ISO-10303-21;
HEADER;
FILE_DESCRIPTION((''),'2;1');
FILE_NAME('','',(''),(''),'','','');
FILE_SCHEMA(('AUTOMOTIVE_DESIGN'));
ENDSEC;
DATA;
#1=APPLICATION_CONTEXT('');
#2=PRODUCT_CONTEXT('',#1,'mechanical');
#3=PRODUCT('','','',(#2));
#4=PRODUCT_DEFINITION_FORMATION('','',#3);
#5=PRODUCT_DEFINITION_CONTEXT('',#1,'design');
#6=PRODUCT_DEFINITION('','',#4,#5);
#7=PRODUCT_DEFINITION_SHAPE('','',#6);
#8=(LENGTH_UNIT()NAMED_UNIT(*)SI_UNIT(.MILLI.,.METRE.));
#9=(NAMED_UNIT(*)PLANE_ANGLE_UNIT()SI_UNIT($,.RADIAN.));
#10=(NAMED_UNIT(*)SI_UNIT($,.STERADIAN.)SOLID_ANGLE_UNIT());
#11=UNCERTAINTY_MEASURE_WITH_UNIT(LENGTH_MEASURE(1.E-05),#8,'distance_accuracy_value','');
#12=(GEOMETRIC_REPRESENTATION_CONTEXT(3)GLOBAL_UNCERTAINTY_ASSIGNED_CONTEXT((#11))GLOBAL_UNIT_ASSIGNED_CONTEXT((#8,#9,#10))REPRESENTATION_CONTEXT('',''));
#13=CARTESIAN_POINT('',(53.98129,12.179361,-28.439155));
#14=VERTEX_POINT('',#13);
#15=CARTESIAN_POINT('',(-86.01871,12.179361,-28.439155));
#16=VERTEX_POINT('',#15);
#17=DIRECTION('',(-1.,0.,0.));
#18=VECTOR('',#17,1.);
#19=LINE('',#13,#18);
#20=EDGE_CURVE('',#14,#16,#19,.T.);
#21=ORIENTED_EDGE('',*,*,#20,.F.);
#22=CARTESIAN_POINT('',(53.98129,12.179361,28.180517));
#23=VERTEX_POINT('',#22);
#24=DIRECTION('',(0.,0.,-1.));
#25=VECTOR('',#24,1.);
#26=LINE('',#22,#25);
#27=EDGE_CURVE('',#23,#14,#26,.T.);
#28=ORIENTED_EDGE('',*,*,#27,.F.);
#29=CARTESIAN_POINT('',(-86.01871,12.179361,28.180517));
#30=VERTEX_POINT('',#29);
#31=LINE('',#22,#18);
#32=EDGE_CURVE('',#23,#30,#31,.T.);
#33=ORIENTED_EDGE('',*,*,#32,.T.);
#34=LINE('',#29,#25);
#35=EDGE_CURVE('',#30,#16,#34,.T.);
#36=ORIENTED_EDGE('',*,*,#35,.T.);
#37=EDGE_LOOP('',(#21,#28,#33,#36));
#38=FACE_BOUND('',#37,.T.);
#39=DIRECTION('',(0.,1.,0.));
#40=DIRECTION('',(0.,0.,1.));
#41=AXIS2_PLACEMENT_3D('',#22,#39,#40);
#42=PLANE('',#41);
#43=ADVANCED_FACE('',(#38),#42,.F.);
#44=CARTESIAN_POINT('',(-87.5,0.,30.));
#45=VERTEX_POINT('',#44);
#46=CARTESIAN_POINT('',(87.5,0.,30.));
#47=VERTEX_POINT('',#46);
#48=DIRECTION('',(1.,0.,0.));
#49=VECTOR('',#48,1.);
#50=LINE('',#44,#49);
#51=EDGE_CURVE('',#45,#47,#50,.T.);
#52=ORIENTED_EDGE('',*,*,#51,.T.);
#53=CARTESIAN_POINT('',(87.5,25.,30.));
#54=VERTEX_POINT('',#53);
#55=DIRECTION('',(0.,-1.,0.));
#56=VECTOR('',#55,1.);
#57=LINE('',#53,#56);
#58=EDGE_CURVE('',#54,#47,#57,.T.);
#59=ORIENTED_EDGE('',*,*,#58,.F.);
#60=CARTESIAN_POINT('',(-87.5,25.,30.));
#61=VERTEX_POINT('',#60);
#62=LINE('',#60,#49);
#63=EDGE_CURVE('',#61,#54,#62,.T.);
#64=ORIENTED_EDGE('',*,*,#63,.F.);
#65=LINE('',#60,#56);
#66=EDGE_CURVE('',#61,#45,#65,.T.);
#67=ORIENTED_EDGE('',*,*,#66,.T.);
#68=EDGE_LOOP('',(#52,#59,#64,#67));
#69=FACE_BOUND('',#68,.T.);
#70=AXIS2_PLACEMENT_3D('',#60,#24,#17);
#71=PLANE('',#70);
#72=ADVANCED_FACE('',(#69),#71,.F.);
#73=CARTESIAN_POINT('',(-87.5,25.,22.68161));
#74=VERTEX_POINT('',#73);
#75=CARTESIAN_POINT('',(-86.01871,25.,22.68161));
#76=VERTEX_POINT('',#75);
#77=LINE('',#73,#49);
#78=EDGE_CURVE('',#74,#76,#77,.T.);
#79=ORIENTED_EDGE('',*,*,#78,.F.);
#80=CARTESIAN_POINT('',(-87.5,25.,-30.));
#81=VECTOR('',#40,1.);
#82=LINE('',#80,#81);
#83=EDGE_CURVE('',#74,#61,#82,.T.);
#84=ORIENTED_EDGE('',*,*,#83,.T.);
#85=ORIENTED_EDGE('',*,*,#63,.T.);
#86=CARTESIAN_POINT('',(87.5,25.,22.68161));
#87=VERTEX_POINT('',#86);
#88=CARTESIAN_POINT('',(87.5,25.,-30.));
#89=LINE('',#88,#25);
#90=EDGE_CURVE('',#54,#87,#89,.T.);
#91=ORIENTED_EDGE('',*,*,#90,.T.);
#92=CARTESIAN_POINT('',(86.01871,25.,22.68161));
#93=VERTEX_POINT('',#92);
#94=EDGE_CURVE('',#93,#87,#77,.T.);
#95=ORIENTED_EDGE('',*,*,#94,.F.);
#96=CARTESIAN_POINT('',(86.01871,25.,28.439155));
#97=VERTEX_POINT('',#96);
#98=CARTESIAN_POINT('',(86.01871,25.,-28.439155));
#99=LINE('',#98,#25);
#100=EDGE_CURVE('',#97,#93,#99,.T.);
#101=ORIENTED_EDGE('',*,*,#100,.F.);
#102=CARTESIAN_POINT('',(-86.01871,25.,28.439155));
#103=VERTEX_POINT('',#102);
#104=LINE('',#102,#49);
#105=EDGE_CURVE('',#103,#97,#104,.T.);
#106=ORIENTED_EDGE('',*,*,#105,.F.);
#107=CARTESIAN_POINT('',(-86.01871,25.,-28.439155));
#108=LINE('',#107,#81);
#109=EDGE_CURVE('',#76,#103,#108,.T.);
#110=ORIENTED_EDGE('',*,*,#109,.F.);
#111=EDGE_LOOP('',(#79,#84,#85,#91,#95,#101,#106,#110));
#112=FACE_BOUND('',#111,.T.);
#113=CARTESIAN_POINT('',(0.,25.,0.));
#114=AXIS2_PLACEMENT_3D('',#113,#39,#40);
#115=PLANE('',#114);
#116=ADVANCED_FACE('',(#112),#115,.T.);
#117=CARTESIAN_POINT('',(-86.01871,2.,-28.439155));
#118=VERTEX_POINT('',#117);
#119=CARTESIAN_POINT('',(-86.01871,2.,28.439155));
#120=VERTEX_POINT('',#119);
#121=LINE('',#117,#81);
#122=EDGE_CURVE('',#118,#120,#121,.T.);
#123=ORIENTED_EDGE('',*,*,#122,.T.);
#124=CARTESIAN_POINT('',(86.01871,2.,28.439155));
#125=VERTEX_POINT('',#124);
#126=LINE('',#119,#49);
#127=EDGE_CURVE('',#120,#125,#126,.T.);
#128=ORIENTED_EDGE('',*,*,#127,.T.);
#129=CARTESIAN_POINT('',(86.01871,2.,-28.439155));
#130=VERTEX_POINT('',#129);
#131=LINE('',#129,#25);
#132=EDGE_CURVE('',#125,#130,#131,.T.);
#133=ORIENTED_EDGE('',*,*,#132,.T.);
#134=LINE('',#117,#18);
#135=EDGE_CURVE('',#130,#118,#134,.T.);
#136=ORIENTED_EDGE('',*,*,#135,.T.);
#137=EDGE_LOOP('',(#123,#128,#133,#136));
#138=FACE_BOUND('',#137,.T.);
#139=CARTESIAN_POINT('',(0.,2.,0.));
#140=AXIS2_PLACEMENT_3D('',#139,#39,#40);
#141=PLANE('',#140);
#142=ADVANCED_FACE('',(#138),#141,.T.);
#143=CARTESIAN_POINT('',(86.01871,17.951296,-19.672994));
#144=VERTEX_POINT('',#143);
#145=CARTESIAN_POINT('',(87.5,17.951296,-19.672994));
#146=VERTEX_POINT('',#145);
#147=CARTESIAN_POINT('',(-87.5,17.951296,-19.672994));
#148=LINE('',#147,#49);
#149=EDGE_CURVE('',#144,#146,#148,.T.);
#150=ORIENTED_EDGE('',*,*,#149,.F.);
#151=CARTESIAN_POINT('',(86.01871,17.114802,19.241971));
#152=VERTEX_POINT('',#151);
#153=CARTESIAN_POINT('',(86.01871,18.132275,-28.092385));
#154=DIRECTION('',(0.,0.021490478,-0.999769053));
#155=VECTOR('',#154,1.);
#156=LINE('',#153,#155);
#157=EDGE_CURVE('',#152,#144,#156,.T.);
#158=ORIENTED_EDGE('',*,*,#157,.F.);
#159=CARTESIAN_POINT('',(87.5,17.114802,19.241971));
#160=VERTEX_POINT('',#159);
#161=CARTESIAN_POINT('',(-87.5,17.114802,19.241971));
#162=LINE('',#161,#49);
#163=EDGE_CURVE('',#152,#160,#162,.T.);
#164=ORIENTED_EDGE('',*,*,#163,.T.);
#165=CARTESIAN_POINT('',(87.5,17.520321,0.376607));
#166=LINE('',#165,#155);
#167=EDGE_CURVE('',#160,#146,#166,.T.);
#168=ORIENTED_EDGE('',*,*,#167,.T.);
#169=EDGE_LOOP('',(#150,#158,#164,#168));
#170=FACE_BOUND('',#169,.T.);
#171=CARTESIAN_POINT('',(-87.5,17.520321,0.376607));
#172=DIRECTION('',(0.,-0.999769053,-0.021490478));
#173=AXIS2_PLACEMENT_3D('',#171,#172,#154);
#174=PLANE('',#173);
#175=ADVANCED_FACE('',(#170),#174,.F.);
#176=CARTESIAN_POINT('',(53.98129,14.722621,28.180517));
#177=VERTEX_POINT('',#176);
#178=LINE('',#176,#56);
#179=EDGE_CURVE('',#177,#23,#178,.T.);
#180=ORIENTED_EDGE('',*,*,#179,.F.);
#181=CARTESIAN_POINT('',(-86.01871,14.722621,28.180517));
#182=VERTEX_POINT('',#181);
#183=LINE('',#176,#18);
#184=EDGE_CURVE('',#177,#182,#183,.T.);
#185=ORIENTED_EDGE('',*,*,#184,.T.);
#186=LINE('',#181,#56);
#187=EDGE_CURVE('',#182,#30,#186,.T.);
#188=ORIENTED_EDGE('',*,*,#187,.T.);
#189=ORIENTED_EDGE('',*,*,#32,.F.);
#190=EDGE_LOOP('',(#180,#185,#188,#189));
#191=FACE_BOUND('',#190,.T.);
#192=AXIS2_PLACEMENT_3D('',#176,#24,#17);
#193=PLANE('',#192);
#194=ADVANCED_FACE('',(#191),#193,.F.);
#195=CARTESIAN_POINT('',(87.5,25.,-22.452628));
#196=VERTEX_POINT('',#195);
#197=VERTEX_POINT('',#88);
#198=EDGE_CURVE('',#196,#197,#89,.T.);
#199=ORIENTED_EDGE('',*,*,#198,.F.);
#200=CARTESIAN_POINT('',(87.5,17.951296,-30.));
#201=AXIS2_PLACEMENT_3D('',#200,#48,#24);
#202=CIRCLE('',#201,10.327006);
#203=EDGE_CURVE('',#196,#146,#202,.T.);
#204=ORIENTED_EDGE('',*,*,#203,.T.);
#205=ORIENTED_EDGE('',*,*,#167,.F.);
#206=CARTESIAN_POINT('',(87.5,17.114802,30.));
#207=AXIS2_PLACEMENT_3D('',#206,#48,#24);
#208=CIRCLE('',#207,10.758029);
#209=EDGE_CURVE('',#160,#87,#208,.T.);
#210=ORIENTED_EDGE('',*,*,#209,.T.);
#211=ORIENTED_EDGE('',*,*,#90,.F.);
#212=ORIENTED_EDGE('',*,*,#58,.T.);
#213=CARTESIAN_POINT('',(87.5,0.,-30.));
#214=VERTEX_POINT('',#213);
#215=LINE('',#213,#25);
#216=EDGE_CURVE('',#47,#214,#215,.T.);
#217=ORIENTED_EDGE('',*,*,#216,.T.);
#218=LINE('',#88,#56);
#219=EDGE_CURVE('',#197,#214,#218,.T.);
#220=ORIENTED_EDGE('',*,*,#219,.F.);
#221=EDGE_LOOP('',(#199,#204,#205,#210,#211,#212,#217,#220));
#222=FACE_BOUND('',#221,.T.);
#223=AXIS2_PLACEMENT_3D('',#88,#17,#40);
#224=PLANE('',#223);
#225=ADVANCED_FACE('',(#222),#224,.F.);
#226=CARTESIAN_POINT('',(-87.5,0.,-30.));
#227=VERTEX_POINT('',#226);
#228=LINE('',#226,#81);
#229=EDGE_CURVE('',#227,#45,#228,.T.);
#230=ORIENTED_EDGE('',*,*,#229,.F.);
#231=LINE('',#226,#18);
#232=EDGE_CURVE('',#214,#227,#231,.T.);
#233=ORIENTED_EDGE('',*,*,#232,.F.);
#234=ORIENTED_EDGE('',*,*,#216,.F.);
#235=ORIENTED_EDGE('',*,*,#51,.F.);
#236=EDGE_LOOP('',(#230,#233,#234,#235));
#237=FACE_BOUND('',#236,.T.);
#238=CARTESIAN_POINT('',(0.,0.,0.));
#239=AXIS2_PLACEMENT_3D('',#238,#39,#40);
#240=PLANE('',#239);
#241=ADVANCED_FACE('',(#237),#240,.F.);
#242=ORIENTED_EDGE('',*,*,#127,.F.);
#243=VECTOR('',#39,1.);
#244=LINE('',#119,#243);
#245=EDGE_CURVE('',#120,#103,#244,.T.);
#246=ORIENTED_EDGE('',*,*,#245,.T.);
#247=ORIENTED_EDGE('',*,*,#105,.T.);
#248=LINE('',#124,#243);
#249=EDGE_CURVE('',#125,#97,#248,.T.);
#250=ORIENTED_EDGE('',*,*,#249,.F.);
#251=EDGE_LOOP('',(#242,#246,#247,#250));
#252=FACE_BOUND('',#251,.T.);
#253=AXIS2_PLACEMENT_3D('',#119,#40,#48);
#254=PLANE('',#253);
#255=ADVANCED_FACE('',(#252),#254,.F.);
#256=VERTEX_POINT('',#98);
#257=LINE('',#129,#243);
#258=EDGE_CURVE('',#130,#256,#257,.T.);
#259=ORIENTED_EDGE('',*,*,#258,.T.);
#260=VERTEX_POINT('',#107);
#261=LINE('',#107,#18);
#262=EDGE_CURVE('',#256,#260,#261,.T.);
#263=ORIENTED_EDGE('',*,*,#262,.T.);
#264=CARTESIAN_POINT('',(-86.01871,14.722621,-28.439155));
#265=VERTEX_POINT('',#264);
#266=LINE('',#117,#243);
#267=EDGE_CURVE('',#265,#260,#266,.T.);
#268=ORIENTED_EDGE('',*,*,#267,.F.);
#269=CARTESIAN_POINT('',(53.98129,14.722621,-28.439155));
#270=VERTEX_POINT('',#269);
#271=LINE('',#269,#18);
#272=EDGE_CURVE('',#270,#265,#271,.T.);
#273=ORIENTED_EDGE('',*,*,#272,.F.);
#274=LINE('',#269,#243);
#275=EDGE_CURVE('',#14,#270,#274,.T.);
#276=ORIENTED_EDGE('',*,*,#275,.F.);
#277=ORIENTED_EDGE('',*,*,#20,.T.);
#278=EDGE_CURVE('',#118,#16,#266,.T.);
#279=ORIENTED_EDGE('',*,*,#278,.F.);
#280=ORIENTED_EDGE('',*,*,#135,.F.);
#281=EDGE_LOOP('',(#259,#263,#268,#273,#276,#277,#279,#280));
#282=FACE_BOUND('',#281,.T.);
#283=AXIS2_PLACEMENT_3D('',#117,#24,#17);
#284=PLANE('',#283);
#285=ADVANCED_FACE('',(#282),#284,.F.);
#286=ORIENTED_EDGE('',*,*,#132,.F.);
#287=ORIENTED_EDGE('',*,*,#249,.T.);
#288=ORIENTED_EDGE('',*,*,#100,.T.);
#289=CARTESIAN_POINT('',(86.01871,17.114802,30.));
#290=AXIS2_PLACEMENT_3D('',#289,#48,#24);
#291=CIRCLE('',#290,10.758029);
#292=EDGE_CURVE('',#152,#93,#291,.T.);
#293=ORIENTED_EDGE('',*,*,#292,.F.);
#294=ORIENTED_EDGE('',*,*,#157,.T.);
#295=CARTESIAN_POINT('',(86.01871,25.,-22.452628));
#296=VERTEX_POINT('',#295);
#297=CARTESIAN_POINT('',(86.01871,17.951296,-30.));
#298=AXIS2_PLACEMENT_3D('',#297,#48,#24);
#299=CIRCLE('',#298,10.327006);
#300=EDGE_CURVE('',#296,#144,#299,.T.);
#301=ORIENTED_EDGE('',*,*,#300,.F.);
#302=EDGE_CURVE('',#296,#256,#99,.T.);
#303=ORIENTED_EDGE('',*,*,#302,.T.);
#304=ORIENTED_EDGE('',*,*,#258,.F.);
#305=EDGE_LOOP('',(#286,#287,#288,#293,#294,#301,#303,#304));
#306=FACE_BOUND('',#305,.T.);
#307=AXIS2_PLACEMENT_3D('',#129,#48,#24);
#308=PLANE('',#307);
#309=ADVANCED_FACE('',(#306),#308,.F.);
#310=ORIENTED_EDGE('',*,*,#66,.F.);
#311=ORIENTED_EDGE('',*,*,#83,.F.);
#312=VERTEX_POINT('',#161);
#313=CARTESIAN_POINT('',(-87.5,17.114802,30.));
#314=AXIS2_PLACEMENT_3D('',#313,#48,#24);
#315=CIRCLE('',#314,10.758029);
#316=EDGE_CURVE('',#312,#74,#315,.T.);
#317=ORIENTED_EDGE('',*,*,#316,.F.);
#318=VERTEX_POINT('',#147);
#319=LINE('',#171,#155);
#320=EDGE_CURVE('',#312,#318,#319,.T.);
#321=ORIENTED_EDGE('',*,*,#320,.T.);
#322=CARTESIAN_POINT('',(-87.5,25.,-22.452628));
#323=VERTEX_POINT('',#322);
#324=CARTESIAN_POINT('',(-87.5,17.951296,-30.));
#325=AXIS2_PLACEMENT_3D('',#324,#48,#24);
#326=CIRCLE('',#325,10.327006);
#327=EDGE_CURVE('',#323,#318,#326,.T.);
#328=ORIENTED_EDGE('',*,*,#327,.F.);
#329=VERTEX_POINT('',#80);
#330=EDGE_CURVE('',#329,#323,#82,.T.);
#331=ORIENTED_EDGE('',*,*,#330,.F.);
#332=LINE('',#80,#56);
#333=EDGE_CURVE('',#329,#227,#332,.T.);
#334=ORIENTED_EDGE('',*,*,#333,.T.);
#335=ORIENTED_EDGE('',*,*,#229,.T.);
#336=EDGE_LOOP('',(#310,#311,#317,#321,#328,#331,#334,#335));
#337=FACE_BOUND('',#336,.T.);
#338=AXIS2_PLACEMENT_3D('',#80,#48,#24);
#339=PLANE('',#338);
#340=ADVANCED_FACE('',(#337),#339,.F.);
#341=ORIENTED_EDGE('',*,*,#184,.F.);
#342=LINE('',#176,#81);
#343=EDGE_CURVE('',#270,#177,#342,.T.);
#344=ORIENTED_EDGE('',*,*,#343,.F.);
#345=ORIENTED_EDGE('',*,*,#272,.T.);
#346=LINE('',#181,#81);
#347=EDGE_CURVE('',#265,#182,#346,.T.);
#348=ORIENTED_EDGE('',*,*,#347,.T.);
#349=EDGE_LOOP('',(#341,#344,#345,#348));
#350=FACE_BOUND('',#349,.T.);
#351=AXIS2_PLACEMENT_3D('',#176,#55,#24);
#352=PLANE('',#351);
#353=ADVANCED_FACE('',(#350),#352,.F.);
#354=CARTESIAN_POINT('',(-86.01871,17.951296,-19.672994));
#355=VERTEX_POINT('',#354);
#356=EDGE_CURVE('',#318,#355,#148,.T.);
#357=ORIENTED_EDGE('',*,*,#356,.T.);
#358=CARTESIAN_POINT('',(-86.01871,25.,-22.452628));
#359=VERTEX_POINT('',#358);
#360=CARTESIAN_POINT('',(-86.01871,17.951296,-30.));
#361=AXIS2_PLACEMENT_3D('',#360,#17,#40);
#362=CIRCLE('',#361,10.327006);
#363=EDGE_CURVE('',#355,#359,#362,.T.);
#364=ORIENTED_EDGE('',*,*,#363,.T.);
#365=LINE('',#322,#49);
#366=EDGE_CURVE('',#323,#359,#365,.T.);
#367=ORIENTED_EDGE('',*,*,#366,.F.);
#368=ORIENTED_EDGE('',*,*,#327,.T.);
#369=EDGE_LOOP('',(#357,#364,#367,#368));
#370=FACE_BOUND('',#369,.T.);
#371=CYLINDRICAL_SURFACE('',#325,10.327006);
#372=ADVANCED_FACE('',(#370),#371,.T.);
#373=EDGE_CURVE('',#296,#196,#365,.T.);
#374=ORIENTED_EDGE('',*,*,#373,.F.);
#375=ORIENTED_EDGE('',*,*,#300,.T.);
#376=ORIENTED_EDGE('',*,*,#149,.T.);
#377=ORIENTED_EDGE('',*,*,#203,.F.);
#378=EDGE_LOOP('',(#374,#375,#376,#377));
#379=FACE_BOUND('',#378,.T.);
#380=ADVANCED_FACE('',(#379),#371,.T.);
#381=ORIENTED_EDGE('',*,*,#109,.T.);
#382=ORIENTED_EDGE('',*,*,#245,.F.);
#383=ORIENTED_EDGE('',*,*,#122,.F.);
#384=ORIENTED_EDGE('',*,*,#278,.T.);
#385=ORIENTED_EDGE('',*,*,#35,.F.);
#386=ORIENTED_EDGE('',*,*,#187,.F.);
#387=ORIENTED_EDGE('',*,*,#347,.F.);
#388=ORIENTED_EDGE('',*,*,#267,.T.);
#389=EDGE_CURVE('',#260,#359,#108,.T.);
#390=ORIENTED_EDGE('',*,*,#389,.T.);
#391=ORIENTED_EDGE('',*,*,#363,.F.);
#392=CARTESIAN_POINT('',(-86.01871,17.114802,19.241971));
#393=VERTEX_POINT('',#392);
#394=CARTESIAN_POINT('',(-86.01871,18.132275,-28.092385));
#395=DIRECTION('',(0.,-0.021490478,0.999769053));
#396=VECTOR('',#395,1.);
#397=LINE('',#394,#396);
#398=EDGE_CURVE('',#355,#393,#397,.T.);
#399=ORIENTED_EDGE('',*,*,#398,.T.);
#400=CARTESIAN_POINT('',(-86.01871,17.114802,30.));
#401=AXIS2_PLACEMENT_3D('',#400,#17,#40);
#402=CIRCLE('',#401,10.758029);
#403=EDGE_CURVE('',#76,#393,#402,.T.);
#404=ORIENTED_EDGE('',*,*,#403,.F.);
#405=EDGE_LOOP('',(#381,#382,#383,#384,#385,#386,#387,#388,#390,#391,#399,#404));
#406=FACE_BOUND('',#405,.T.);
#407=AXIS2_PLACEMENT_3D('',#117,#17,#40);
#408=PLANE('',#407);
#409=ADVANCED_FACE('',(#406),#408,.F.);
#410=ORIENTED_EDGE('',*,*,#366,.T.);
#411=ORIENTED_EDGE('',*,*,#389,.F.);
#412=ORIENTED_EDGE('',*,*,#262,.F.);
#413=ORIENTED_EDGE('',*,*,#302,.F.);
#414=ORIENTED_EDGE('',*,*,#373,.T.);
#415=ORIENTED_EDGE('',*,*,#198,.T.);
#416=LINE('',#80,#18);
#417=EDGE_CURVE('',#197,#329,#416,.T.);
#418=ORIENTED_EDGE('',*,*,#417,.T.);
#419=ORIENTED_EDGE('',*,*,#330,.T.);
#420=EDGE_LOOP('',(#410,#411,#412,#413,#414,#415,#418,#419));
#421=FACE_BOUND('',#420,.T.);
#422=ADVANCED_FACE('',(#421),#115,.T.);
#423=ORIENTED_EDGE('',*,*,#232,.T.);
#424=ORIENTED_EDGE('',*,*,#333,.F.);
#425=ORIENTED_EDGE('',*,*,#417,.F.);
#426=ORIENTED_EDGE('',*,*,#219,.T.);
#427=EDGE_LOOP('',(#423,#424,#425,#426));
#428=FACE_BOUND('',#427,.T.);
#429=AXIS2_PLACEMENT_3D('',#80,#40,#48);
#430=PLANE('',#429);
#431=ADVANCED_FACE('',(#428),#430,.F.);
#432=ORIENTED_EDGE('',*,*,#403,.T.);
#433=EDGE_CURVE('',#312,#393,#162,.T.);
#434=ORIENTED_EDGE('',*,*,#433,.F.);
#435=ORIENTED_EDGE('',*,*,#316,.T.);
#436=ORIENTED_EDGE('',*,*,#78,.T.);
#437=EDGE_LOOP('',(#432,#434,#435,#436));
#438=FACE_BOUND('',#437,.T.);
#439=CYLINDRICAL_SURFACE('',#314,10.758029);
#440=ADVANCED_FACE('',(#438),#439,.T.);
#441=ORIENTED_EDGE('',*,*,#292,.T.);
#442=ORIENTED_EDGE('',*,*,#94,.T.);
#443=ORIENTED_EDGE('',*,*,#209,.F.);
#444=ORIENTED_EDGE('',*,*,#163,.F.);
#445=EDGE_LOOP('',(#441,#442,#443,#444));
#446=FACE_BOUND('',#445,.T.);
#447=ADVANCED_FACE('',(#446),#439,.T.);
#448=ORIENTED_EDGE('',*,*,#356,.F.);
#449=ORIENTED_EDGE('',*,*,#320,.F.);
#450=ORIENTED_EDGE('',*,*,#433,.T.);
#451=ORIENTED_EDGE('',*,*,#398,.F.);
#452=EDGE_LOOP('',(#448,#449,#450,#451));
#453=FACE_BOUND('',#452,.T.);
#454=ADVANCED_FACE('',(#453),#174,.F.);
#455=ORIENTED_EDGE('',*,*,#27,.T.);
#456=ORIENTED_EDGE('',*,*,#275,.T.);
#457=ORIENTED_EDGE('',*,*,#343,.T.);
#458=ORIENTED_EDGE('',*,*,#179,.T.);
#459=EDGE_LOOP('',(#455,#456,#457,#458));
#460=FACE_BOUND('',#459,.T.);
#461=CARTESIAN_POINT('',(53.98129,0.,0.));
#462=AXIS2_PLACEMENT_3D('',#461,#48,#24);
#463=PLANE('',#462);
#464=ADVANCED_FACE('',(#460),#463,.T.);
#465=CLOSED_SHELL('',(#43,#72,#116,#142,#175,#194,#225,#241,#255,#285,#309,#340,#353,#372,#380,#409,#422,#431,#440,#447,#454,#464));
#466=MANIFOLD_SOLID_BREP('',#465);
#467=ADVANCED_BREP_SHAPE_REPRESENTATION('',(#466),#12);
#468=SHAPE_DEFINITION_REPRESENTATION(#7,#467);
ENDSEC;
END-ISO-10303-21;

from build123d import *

# Parameters (mm, degrees)
SKETCH1_W           = 175
SKETCH1_H           = 60
BOSS_EXTRUDE1_DEPTH = 25
SKETCH2_W           = 172.037419054
SKETCH2_H           = 56.878309912
CUT_EXTRUDE2_DEPTH  = 23
CUT_EXTRUDE4_DEPTH  = 180.30421077
SKETCH5_W           = 56.619672169
SKETCH5_H           = 2.543260903
BOSS_EXTRUDE2_DEPTH = 140


with BuildPart() as part:
    # Sketch1 → Boss-Extrude1 (new body)
    with BuildSketch(Plane(origin=(0, 0, 0), x_dir=(1, 0, 0), z_dir=(0, 1, 0))):
        Rectangle(SKETCH1_W, SKETCH1_H)
    extrude(amount=BOSS_EXTRUDE1_DEPTH)

    # Sketch2 → Cut-Extrude2 (cut)
    with BuildSketch(Plane(origin=(0, 25, 0), x_dir=(1, 0, 0), z_dir=(0, 1, 0))):
        Rectangle(SKETCH2_W, SKETCH2_H)
    extrude(amount=-CUT_EXTRUDE2_DEPTH, mode=Mode.SUBTRACT)

    # Sketch3 → Cut-Extrude4 (cut, through all)
    with BuildSketch(Plane(origin=(87.5, 0, 0), x_dir=(0, 0, -1), z_dir=(1, 0, 0))):
        with BuildLine():
            ThreePointArc((-22.681609782, 25), (-20.139304377, 21.416181436), (-19.241971202, 17.114801954))
            Line((-19.241971202, 17.114801954), (19.672994279, 17.951296347))
            ThreePointArc((19.672994279, 17.951296347), (20.393002527, 21.739785058), (22.452628009, 25))
            Line((22.452628009, 25), (-22.681609782, 25))
        make_face()
    extrude(amount=-CUT_EXTRUDE4_DEPTH, mode=Mode.SUBTRACT)

    # Sketch5 → Boss-Extrude2 (add)
    with BuildSketch(Plane(origin=(-86.018709527, 0, 0), x_dir=(0, 0, -1), z_dir=(1, 0, 0))):
        with Locations((0.129318872, 13.450991009)):
            Rectangle(SKETCH5_W, SKETCH5_H)
    extrude(amount=BOSS_EXTRUDE2_DEPTH)


solid = part.part
